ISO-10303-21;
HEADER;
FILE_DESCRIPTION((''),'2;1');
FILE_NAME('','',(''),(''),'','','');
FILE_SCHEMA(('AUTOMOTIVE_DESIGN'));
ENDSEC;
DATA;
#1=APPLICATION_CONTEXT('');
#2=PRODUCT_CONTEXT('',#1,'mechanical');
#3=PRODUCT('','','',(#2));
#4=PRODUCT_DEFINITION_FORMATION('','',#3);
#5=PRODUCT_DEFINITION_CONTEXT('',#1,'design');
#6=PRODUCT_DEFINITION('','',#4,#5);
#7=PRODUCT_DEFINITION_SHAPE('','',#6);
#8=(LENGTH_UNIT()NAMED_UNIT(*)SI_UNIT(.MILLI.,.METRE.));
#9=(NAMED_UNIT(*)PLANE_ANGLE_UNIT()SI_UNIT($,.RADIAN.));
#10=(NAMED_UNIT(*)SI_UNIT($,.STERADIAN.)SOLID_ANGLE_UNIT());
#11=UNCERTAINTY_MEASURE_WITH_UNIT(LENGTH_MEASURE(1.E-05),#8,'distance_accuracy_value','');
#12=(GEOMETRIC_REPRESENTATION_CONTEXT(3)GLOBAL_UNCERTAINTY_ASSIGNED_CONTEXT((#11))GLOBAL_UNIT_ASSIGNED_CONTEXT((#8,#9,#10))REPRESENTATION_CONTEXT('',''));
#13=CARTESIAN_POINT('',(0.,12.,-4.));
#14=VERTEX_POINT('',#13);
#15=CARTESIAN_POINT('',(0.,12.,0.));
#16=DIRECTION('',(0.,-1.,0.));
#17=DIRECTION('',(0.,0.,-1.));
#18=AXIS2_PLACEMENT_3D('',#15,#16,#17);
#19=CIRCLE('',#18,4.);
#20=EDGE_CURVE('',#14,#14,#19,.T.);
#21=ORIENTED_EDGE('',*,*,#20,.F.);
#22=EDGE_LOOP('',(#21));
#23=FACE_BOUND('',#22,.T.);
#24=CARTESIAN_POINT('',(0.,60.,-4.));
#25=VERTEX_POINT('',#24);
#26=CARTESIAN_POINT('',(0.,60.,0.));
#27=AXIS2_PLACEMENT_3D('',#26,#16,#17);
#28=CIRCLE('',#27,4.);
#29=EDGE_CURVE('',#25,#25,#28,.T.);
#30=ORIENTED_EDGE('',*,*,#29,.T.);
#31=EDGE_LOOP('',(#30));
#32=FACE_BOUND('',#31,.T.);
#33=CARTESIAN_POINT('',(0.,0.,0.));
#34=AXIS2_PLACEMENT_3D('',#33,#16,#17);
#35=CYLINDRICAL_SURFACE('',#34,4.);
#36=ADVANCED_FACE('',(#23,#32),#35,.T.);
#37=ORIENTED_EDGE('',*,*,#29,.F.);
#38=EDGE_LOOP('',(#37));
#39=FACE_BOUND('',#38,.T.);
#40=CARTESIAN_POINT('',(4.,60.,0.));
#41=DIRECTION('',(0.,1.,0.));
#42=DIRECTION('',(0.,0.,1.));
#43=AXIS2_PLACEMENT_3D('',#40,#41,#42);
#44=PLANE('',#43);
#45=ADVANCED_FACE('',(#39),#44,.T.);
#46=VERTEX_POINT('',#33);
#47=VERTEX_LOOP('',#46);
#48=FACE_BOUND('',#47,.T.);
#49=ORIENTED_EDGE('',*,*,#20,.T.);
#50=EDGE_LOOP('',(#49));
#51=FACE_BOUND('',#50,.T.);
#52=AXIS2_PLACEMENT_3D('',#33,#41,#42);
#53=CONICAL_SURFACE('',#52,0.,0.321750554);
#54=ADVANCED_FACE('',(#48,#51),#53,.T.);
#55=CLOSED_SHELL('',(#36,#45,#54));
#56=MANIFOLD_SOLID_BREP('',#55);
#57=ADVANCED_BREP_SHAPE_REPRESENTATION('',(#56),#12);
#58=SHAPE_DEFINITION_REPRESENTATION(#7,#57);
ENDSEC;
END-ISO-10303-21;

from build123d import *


with BuildPart() as part:
    # Sketch1 → Revolve1 (revolve)
    with BuildSketch(Plane.XY, mode=Mode.PRIVATE) as revolve1_sk:
        Polygon((0, 0), (4, 12), (4, 60), (0, 60), align=None)
    revolve(revolve1_sk.sketch.rotate(Axis((0, 0, 0), (0, 1, 0)), 90), axis=Axis((0, 0, 0), (0, 1, 0)))


solid = part.part
